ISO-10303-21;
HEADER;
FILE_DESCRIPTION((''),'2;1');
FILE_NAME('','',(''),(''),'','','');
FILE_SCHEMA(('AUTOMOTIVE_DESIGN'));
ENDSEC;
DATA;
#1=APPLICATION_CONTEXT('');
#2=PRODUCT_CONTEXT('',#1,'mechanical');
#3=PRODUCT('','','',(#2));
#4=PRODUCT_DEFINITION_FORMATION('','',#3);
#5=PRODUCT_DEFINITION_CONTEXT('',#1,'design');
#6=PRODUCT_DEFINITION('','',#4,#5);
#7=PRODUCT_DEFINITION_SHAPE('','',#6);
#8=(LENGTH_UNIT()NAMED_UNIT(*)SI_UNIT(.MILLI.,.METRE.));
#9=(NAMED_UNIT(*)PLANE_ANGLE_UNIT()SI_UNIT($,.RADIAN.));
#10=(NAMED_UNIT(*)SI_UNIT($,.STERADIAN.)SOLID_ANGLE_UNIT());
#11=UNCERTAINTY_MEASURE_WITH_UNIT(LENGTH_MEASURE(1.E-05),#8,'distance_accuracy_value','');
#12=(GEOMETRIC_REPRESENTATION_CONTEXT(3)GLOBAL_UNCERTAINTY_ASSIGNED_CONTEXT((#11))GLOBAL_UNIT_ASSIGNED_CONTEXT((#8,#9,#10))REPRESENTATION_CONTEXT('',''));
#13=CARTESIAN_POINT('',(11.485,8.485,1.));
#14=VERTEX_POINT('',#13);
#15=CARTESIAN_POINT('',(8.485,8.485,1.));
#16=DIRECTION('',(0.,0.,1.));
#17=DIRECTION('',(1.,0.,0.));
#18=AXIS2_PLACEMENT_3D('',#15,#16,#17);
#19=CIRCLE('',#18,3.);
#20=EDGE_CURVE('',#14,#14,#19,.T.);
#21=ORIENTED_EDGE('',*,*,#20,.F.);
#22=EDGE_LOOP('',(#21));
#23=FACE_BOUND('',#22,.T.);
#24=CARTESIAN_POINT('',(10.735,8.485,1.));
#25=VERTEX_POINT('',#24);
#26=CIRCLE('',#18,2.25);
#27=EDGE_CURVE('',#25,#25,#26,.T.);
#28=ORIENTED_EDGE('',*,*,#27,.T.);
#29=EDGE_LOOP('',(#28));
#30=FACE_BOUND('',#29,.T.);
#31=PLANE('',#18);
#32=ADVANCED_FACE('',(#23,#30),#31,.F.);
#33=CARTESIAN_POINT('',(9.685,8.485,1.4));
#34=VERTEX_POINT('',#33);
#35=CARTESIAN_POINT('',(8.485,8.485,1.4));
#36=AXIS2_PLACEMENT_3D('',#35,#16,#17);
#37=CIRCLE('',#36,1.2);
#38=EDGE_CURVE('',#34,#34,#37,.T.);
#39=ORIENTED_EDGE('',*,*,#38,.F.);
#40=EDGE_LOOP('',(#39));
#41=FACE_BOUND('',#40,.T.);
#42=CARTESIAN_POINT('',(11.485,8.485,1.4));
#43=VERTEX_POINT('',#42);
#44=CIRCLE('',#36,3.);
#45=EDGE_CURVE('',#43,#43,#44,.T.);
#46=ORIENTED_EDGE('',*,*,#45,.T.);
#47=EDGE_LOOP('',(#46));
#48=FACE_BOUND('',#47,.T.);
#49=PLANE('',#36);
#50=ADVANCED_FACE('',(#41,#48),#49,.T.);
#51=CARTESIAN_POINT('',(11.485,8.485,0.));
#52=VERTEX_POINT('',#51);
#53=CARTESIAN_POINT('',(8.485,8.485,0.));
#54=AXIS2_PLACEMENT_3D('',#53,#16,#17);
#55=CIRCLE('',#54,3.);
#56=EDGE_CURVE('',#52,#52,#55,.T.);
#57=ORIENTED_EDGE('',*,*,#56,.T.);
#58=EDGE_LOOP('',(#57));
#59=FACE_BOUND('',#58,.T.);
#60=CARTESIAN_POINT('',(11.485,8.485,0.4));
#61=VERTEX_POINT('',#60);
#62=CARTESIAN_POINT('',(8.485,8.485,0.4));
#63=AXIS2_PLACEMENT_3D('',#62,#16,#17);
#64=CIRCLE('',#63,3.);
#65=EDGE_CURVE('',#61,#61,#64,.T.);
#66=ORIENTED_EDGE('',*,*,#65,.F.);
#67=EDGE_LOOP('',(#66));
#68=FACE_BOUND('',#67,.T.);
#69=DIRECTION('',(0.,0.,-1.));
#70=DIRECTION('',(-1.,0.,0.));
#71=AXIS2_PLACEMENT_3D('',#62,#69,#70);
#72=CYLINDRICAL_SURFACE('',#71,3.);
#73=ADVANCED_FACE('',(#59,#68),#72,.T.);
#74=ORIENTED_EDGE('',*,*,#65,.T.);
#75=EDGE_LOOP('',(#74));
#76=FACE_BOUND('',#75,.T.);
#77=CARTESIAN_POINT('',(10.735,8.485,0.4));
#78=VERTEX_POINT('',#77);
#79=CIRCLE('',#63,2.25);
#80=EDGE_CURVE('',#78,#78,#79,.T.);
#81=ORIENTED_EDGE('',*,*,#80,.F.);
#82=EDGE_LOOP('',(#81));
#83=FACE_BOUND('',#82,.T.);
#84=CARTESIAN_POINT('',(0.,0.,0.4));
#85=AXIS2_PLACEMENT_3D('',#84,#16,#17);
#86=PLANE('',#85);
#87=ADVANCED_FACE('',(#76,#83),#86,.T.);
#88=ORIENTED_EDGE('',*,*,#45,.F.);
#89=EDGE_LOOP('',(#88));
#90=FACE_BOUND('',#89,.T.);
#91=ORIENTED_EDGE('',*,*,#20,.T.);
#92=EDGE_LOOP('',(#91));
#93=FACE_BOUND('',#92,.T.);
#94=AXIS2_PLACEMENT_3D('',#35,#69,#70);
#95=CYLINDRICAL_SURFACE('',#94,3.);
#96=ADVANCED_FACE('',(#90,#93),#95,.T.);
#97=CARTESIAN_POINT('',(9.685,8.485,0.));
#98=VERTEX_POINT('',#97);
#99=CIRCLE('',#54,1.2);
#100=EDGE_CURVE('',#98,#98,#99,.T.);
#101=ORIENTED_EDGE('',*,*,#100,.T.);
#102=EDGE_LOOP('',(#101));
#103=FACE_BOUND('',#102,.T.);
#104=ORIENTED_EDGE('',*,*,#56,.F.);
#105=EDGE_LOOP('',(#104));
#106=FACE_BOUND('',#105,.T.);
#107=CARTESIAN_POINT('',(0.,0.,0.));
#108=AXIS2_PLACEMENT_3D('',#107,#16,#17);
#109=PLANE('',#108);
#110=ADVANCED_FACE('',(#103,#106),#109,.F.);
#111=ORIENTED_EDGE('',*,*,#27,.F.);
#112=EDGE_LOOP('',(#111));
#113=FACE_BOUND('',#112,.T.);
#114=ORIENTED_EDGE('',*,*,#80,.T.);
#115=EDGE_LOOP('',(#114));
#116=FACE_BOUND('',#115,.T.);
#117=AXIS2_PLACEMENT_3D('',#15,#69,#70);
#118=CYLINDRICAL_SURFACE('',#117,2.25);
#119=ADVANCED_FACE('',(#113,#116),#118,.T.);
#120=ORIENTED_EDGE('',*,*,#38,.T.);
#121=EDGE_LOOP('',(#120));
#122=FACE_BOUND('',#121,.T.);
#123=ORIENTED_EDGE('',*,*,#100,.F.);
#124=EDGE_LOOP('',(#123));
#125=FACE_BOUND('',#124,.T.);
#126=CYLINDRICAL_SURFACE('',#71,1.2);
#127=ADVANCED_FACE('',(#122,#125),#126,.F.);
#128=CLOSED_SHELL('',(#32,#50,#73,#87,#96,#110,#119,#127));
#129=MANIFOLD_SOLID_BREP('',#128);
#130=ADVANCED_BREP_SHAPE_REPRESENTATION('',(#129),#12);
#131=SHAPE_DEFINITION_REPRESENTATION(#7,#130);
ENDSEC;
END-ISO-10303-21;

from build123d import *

# Parameters (mm, degrees)
SKETCH1_R           = 3
SKETCH1_R_2         = 2.25
SKETCH1_R_3         = 1.2
BOSS_EXTRUDE1_DEPTH = 0.4
BOSS_EXTRUDE4_START = 0.4
SKETCH1_8_R         = 2.25
SKETCH1_8_R_2       = 1.2
BOSS_EXTRUDE4_DEPTH = 0.6
BOSS_EXTRUDE5_START = 1
SKETCH1_9_R         = 3
SKETCH1_9_R_2       = 2.25
SKETCH1_9_R_3       = 1.2
BOSS_EXTRUDE5_DEPTH = 0.4


with BuildPart() as part:
    # Sketch1 → Boss-Extrude1 (new body)
    # profile 1 of 2: a face of its own
    with BuildSketch(Plane.XY):
        with Locations((8.485, 8.485)):
            Circle(SKETCH1_R)
        with Locations((8.485, 8.485)):
            Circle(SKETCH1_R_2, mode=Mode.SUBTRACT)
    # profile 2 of 2: a face of its own
    with BuildSketch(Plane.XY):
        with Locations((8.485, 8.485)):
            Circle(SKETCH1_R_2)
        with Locations((8.485, 8.485)):
            Circle(SKETCH1_R_3, mode=Mode.SUBTRACT)
    extrude(amount=BOSS_EXTRUDE1_DEPTH)

    # Sketch1<8> → Boss-Extrude4 (add)
    with BuildSketch(Plane.XY.offset(BOSS_EXTRUDE4_START)):
        with Locations((8.485, 8.485)):
            Circle(SKETCH1_8_R)
        with Locations((8.485, 8.485)):
            Circle(SKETCH1_8_R_2, mode=Mode.SUBTRACT)
    extrude(amount=BOSS_EXTRUDE4_DEPTH)

    # Sketch1<9> → Boss-Extrude5 (add)
    # profile 1 of 2: a face of its own
    with BuildSketch(Plane.XY.offset(BOSS_EXTRUDE5_START)):
        with Locations((8.485, 8.485)):
            Circle(SKETCH1_9_R)
        with Locations((8.485, 8.485)):
            Circle(SKETCH1_9_R_2, mode=Mode.SUBTRACT)
    # profile 2 of 2: a face of its own
    with BuildSketch(Plane.XY.offset(BOSS_EXTRUDE5_START)):
        with Locations((8.485, 8.485)):
            Circle(SKETCH1_9_R_2)
        with Locations((8.485, 8.485)):
            Circle(SKETCH1_9_R_3, mode=Mode.SUBTRACT)
    extrude(amount=BOSS_EXTRUDE5_DEPTH)


solid = part.part
